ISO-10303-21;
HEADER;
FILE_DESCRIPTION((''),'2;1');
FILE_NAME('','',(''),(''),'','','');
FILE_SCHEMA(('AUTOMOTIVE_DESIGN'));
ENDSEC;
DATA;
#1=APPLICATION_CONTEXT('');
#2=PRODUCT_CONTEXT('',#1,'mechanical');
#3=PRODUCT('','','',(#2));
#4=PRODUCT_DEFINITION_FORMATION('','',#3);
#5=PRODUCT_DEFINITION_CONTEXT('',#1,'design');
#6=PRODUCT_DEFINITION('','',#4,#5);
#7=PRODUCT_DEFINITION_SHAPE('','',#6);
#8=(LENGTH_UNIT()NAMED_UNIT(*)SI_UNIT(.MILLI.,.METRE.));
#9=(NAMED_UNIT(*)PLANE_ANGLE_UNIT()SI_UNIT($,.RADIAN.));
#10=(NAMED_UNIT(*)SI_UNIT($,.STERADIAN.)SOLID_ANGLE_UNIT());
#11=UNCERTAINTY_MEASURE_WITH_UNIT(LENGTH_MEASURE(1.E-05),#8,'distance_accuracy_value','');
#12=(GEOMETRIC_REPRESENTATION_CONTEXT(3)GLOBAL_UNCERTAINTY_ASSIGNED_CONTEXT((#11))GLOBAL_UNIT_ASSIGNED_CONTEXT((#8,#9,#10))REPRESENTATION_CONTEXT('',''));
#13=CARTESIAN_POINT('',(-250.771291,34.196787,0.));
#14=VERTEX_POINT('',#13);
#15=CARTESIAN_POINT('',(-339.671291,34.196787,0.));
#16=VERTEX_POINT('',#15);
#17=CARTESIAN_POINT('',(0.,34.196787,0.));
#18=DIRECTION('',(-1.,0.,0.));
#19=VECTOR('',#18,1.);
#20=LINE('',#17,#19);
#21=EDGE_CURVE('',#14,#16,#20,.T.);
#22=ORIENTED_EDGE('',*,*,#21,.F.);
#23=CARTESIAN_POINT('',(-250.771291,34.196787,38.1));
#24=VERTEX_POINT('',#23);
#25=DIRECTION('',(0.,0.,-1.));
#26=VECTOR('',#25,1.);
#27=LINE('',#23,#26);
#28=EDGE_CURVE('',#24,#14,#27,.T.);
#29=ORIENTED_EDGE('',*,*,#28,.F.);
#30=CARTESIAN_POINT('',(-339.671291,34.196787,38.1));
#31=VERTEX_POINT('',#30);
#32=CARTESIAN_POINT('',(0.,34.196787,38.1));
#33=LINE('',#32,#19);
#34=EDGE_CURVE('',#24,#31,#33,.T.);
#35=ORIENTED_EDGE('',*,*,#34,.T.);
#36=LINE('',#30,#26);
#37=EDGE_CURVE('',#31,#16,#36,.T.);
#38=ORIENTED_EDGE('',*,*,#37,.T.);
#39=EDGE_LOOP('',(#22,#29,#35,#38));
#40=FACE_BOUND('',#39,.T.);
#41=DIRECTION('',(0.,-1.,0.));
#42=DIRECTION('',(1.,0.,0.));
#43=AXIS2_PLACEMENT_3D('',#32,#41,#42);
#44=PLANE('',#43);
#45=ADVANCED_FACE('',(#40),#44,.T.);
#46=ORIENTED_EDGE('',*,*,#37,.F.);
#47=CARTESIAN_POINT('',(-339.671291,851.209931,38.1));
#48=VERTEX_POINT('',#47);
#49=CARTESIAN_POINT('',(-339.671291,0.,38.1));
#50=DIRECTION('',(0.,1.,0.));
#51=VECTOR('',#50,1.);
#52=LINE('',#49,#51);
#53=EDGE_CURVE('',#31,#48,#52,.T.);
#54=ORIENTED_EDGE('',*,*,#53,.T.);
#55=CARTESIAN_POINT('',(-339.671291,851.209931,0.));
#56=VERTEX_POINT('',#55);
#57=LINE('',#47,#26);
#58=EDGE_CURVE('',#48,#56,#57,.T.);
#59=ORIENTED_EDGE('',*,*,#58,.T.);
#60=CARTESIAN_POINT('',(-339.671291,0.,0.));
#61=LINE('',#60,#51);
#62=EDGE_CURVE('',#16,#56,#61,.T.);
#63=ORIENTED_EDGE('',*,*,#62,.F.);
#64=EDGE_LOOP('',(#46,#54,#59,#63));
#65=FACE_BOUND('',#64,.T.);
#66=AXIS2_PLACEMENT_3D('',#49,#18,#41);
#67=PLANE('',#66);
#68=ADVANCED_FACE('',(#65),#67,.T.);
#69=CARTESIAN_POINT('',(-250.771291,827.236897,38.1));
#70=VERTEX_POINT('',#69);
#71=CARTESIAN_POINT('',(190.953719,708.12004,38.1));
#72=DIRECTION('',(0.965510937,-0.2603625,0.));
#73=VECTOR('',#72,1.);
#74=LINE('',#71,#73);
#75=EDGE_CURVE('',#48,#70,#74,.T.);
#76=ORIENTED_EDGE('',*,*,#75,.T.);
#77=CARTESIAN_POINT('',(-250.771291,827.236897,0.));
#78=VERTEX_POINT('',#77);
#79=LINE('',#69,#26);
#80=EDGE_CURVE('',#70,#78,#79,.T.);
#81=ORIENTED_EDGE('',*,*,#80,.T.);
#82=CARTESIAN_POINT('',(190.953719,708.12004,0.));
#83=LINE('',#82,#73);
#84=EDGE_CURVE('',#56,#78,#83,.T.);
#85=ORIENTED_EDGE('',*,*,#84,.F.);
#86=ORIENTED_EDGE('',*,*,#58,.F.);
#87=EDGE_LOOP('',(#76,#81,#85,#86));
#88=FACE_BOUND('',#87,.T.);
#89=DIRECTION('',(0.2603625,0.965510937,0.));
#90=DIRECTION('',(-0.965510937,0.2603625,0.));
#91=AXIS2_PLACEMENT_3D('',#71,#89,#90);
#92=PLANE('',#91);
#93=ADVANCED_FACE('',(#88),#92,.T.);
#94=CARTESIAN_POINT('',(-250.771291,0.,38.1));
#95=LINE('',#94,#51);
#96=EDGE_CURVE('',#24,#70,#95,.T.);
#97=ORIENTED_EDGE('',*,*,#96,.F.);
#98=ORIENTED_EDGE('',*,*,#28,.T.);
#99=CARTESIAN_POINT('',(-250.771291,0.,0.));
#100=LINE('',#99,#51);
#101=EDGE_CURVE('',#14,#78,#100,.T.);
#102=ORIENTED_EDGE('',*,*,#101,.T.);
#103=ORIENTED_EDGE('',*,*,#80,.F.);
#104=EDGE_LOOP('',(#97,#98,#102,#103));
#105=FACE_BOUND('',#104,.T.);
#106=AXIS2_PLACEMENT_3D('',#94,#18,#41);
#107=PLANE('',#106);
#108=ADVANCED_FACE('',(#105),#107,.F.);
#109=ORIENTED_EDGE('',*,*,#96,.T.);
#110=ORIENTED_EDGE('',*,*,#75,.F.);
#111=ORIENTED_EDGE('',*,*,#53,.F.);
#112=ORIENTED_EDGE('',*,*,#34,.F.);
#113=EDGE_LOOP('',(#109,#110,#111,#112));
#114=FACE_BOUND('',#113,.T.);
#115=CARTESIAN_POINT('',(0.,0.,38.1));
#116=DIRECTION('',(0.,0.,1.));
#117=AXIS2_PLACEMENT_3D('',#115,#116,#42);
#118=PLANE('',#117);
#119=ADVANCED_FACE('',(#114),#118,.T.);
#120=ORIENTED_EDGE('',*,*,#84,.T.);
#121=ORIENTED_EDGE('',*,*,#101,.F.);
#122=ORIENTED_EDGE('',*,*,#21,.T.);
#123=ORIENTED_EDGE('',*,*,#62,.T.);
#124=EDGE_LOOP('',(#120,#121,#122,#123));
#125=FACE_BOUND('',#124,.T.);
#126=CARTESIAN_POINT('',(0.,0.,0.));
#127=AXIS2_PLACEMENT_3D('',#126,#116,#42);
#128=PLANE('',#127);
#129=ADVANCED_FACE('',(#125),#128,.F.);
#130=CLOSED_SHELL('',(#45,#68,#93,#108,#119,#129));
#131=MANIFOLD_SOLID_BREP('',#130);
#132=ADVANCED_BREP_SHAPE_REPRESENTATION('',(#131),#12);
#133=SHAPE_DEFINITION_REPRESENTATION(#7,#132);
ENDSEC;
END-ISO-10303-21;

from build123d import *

# Parameters (mm, degrees)
BOSS_EXTRUDE1_DEPTH = 38.1


with BuildPart() as part:
    # Sketch1 → Boss-Extrude1 (new body)
    with BuildSketch(Plane.XY):
        Polygon((-339.671290992, 34.196787186), (-250.771290992, 34.196787186), (-250.771290992, 827.236897), (-339.671290992, 851.209930708), align=None)
    extrude(amount=BOSS_EXTRUDE1_DEPTH)


solid = part.part
